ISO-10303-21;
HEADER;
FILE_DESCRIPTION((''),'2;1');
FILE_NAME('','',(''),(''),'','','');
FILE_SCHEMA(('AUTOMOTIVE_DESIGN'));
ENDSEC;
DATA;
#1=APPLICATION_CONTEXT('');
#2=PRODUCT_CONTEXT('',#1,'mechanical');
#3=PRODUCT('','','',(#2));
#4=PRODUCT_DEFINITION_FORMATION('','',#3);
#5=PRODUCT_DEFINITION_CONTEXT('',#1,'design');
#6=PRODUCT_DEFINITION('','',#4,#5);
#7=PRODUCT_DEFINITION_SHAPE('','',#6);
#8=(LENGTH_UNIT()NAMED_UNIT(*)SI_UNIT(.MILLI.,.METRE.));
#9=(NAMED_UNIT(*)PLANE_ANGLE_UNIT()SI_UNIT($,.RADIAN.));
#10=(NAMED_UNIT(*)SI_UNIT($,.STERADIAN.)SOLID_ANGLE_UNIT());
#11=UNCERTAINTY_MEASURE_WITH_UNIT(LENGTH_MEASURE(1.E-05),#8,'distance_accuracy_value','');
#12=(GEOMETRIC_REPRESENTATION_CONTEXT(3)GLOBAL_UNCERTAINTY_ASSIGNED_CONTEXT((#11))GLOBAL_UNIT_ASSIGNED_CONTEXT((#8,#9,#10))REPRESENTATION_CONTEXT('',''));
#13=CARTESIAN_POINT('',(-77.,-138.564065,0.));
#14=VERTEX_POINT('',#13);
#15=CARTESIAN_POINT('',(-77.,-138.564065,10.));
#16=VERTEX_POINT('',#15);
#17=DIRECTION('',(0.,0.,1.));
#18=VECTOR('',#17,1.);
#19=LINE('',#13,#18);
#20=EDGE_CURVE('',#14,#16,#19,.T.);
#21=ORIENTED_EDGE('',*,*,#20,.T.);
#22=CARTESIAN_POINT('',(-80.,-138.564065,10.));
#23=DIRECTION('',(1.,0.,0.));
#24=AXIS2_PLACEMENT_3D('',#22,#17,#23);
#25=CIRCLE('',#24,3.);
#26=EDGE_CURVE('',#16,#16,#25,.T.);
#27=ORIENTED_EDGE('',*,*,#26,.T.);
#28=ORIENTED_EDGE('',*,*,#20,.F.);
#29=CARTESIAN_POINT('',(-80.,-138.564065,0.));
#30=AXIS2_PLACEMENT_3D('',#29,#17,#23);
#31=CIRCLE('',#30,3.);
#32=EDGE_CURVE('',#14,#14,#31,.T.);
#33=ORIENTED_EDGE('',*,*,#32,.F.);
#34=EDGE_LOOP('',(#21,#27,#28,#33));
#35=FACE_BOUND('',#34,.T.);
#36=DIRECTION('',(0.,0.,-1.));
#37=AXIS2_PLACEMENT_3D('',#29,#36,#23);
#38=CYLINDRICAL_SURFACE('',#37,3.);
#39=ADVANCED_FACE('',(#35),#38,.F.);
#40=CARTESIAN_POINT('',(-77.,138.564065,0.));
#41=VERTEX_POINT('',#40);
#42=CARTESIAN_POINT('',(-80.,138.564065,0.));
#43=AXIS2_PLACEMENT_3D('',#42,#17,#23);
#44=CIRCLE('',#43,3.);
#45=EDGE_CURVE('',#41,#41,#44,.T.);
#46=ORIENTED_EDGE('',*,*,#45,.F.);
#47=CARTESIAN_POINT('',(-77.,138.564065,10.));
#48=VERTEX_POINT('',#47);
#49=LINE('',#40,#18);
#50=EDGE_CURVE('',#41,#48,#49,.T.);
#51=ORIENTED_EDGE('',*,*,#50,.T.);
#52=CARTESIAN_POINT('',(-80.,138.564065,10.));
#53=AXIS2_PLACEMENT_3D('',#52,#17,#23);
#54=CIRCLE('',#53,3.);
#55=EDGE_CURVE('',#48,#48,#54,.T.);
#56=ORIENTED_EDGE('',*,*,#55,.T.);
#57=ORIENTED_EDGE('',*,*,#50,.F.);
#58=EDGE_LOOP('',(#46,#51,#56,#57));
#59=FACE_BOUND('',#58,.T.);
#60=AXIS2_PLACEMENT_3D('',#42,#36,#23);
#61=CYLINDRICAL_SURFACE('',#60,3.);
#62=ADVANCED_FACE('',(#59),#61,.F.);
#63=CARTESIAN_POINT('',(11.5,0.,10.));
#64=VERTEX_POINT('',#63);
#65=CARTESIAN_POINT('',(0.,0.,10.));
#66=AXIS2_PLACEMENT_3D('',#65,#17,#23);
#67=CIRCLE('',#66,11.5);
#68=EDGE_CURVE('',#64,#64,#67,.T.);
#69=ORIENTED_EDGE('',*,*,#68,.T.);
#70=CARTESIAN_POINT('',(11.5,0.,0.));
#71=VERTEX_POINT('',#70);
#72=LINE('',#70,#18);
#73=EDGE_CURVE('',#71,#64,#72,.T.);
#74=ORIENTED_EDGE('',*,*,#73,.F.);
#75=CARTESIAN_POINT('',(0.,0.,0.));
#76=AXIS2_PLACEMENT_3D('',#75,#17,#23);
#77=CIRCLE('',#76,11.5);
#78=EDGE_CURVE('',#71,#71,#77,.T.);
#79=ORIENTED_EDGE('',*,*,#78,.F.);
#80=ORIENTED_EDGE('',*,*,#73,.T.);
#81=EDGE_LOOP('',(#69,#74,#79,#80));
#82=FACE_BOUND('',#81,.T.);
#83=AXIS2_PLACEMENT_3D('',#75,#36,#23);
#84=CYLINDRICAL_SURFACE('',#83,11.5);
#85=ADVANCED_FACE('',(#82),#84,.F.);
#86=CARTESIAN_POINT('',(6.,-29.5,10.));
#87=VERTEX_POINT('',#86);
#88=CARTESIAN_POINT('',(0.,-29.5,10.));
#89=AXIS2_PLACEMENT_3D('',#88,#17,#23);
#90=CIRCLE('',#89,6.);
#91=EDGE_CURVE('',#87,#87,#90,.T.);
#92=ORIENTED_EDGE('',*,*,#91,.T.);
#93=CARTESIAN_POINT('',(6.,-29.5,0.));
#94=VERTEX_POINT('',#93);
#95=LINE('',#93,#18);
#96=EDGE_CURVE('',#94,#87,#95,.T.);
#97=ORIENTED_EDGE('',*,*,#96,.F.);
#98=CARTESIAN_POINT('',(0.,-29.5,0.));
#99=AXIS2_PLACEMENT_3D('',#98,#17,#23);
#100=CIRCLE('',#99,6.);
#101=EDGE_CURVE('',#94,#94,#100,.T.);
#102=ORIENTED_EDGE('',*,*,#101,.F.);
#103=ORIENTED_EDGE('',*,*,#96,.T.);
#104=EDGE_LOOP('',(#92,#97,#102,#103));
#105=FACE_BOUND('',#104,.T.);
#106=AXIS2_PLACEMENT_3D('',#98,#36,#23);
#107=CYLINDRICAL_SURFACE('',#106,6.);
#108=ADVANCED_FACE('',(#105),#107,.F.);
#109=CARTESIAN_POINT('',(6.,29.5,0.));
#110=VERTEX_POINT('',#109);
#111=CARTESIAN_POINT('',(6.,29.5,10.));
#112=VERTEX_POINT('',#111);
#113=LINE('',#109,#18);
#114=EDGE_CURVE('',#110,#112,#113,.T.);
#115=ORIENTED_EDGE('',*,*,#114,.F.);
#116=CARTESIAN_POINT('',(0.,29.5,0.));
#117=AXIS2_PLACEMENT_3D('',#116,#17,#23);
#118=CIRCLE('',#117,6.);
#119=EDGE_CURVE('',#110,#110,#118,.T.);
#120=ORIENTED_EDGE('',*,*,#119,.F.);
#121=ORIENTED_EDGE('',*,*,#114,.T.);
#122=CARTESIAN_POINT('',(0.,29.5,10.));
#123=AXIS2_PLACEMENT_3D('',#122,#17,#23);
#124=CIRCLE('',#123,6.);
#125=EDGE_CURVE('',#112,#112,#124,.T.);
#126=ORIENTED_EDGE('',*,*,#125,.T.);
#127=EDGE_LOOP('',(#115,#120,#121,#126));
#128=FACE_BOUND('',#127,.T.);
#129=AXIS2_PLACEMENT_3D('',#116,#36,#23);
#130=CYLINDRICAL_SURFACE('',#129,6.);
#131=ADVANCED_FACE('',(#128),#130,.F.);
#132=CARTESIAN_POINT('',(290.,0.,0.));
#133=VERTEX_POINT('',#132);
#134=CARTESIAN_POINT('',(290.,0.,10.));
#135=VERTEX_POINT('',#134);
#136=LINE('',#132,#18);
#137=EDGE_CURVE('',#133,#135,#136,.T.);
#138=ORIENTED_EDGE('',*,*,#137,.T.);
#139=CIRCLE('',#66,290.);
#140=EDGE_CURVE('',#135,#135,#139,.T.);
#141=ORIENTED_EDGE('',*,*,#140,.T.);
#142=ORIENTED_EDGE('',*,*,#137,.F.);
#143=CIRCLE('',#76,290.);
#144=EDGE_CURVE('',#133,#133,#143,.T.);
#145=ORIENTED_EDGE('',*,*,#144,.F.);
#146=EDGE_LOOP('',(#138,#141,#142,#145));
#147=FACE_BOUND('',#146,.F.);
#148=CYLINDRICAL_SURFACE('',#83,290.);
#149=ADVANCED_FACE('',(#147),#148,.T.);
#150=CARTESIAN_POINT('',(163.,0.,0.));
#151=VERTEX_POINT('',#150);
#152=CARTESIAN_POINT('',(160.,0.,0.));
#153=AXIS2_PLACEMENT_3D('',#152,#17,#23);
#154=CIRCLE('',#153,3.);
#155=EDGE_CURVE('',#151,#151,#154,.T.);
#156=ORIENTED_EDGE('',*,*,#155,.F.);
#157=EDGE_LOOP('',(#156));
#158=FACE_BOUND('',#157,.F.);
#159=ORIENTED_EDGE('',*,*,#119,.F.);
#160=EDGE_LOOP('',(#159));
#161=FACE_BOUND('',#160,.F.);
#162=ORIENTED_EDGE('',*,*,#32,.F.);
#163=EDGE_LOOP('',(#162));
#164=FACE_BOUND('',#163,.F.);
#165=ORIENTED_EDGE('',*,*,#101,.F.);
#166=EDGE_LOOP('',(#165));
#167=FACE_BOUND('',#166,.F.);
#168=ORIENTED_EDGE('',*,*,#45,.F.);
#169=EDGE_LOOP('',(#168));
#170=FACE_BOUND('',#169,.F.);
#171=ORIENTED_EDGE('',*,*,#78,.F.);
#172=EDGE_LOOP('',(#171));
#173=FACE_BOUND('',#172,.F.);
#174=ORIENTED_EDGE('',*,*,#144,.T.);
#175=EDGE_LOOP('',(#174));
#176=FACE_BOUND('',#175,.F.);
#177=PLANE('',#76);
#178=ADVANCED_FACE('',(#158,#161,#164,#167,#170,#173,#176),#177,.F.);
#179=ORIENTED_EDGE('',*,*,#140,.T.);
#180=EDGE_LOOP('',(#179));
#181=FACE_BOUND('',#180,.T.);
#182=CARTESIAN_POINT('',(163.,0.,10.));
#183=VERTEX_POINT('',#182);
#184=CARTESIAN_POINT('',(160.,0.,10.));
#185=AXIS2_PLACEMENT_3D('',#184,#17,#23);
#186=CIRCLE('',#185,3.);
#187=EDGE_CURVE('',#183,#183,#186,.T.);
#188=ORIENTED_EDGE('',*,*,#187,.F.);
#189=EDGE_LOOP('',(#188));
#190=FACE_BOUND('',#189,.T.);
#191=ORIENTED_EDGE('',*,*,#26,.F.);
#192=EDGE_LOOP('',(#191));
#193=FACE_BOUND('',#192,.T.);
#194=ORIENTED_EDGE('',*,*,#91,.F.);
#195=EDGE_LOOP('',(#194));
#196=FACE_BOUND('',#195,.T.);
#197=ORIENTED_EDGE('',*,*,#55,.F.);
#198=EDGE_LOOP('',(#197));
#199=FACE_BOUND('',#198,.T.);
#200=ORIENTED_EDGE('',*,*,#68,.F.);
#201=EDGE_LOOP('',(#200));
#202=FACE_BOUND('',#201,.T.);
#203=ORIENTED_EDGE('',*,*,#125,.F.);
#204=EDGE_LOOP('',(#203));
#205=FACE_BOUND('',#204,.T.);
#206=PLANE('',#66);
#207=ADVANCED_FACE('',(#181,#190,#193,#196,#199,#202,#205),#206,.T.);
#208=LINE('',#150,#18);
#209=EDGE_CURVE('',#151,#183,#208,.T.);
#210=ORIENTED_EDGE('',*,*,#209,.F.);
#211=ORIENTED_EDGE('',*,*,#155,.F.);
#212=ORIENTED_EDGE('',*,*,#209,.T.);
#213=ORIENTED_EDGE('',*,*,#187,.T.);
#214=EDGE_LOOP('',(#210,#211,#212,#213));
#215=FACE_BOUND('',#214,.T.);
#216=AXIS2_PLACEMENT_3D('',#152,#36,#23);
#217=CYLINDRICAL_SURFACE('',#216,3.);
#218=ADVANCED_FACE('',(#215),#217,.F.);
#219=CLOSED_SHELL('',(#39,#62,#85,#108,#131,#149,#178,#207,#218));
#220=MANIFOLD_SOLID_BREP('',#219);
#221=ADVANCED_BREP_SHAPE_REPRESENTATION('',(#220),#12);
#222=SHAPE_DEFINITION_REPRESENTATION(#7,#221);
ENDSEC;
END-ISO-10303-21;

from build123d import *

# Parameters (mm, degrees)
F0_R     = 290
F0_R_2   = 3
F0_R_3   = 6
F0_R_4   = 11.5
F1_DEPTH = 10


with BuildPart() as f1:
    # F0 (on Top) → F1 (new body)
    with BuildSketch(Plane.XY):
        Circle(F0_R)
        with Locations((-80, -138.564065)):
            Circle(F0_R_2, mode=Mode.SUBTRACT)
        with Locations((0, -29.5)):
            Circle(F0_R_3, mode=Mode.SUBTRACT)
        with Locations((-80, 138.564065)):
            Circle(F0_R_2, mode=Mode.SUBTRACT)
        Circle(F0_R_4, mode=Mode.SUBTRACT)
        with Locations((0, 29.5)):
            Circle(F0_R_3, mode=Mode.SUBTRACT)
        with Locations((160, 0)):
            Circle(F0_R_2, mode=Mode.SUBTRACT)
    extrude(amount=F1_DEPTH)


solid = f1.part
